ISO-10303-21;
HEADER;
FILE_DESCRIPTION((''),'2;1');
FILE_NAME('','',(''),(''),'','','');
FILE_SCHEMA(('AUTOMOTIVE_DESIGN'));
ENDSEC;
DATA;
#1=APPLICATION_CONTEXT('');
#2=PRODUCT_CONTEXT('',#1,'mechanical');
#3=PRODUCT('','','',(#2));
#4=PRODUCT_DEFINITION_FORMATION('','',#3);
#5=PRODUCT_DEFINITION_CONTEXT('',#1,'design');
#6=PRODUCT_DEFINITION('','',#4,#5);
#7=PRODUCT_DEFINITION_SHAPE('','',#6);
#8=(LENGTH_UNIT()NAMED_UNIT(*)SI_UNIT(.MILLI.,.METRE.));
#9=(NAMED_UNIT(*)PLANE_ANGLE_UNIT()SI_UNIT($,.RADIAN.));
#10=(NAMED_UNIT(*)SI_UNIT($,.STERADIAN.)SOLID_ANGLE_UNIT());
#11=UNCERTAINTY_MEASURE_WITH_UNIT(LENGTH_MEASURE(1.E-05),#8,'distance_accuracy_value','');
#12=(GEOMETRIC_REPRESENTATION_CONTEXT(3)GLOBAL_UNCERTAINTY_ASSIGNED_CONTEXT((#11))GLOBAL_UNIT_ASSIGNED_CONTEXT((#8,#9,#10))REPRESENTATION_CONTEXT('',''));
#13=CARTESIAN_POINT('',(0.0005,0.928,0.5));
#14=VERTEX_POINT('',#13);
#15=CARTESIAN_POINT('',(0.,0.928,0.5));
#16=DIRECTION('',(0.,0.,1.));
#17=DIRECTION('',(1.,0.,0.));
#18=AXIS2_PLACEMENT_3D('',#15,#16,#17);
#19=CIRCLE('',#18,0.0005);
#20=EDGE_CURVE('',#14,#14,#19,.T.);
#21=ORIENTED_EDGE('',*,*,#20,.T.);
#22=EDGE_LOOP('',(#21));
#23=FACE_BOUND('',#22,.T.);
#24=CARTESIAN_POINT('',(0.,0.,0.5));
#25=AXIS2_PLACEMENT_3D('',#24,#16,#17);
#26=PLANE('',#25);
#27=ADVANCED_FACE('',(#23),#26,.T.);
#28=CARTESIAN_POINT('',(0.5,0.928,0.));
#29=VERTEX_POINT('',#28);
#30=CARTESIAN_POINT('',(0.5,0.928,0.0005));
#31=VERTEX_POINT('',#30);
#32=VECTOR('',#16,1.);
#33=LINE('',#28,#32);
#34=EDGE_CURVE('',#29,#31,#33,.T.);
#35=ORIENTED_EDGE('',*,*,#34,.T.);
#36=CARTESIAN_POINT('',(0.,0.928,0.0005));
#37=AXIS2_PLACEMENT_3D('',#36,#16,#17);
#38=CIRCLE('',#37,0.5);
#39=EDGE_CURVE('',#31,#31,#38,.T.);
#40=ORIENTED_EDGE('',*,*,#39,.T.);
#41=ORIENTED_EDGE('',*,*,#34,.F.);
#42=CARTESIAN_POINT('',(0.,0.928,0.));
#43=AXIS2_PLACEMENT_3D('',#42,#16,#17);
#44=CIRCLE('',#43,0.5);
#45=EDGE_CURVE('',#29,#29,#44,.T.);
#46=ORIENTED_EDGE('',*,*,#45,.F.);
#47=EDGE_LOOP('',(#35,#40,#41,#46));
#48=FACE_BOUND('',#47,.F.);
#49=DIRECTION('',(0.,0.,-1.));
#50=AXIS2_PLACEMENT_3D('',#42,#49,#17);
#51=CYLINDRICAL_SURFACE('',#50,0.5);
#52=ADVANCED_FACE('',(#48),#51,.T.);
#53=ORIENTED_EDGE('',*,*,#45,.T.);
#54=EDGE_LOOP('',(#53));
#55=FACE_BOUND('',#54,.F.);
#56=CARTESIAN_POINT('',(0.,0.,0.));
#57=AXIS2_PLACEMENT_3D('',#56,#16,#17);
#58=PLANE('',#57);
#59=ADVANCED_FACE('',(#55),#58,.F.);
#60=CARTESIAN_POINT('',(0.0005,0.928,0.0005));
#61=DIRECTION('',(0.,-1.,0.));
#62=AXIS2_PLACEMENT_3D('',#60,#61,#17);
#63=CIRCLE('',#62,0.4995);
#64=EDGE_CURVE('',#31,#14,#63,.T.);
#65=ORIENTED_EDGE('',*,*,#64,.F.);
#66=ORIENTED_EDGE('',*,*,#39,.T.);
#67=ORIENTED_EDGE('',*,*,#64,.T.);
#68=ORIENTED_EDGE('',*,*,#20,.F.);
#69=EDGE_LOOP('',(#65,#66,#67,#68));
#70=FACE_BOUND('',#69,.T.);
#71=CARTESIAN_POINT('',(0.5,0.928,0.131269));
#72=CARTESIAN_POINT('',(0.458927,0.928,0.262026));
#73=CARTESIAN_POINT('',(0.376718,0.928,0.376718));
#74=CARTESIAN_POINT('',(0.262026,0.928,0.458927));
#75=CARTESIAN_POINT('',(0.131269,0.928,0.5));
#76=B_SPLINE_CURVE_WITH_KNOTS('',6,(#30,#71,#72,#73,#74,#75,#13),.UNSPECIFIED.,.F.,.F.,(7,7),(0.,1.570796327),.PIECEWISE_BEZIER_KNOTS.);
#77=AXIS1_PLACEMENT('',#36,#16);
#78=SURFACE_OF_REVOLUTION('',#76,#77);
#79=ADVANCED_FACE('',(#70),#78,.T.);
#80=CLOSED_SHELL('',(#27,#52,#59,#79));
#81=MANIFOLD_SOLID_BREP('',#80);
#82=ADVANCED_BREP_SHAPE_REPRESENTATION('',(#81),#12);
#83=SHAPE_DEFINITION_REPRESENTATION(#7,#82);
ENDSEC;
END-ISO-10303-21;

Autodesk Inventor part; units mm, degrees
ref_plane "YZ Plane" through (0, 0, 0) normal (1, 0, 0) x (0, 1, 0)
ref_plane "XZ Plane" through (0, 0, 0) normal (0, 1, 0) x (-1, 0, 0)
ref_plane "XY Plane" through (0, 0, 0) normal (0, 0, 1) x (1, 0, 0)
sketch "Sketch1" plane through (0, 0, 0) normal (0, 0, 1) x (1, 0, 0)
  circle A0 centre (0, 0.928) radius 0.5 projected
  point P0 (0, 0)
extrude "Extrusion1" add sketch "Sketch1" along normal blind 0.5
fillet "Fillet1" radius 0.5 1 edges at (-0.5, 0.928, 0.5)
properties part number "svjetlasce"
